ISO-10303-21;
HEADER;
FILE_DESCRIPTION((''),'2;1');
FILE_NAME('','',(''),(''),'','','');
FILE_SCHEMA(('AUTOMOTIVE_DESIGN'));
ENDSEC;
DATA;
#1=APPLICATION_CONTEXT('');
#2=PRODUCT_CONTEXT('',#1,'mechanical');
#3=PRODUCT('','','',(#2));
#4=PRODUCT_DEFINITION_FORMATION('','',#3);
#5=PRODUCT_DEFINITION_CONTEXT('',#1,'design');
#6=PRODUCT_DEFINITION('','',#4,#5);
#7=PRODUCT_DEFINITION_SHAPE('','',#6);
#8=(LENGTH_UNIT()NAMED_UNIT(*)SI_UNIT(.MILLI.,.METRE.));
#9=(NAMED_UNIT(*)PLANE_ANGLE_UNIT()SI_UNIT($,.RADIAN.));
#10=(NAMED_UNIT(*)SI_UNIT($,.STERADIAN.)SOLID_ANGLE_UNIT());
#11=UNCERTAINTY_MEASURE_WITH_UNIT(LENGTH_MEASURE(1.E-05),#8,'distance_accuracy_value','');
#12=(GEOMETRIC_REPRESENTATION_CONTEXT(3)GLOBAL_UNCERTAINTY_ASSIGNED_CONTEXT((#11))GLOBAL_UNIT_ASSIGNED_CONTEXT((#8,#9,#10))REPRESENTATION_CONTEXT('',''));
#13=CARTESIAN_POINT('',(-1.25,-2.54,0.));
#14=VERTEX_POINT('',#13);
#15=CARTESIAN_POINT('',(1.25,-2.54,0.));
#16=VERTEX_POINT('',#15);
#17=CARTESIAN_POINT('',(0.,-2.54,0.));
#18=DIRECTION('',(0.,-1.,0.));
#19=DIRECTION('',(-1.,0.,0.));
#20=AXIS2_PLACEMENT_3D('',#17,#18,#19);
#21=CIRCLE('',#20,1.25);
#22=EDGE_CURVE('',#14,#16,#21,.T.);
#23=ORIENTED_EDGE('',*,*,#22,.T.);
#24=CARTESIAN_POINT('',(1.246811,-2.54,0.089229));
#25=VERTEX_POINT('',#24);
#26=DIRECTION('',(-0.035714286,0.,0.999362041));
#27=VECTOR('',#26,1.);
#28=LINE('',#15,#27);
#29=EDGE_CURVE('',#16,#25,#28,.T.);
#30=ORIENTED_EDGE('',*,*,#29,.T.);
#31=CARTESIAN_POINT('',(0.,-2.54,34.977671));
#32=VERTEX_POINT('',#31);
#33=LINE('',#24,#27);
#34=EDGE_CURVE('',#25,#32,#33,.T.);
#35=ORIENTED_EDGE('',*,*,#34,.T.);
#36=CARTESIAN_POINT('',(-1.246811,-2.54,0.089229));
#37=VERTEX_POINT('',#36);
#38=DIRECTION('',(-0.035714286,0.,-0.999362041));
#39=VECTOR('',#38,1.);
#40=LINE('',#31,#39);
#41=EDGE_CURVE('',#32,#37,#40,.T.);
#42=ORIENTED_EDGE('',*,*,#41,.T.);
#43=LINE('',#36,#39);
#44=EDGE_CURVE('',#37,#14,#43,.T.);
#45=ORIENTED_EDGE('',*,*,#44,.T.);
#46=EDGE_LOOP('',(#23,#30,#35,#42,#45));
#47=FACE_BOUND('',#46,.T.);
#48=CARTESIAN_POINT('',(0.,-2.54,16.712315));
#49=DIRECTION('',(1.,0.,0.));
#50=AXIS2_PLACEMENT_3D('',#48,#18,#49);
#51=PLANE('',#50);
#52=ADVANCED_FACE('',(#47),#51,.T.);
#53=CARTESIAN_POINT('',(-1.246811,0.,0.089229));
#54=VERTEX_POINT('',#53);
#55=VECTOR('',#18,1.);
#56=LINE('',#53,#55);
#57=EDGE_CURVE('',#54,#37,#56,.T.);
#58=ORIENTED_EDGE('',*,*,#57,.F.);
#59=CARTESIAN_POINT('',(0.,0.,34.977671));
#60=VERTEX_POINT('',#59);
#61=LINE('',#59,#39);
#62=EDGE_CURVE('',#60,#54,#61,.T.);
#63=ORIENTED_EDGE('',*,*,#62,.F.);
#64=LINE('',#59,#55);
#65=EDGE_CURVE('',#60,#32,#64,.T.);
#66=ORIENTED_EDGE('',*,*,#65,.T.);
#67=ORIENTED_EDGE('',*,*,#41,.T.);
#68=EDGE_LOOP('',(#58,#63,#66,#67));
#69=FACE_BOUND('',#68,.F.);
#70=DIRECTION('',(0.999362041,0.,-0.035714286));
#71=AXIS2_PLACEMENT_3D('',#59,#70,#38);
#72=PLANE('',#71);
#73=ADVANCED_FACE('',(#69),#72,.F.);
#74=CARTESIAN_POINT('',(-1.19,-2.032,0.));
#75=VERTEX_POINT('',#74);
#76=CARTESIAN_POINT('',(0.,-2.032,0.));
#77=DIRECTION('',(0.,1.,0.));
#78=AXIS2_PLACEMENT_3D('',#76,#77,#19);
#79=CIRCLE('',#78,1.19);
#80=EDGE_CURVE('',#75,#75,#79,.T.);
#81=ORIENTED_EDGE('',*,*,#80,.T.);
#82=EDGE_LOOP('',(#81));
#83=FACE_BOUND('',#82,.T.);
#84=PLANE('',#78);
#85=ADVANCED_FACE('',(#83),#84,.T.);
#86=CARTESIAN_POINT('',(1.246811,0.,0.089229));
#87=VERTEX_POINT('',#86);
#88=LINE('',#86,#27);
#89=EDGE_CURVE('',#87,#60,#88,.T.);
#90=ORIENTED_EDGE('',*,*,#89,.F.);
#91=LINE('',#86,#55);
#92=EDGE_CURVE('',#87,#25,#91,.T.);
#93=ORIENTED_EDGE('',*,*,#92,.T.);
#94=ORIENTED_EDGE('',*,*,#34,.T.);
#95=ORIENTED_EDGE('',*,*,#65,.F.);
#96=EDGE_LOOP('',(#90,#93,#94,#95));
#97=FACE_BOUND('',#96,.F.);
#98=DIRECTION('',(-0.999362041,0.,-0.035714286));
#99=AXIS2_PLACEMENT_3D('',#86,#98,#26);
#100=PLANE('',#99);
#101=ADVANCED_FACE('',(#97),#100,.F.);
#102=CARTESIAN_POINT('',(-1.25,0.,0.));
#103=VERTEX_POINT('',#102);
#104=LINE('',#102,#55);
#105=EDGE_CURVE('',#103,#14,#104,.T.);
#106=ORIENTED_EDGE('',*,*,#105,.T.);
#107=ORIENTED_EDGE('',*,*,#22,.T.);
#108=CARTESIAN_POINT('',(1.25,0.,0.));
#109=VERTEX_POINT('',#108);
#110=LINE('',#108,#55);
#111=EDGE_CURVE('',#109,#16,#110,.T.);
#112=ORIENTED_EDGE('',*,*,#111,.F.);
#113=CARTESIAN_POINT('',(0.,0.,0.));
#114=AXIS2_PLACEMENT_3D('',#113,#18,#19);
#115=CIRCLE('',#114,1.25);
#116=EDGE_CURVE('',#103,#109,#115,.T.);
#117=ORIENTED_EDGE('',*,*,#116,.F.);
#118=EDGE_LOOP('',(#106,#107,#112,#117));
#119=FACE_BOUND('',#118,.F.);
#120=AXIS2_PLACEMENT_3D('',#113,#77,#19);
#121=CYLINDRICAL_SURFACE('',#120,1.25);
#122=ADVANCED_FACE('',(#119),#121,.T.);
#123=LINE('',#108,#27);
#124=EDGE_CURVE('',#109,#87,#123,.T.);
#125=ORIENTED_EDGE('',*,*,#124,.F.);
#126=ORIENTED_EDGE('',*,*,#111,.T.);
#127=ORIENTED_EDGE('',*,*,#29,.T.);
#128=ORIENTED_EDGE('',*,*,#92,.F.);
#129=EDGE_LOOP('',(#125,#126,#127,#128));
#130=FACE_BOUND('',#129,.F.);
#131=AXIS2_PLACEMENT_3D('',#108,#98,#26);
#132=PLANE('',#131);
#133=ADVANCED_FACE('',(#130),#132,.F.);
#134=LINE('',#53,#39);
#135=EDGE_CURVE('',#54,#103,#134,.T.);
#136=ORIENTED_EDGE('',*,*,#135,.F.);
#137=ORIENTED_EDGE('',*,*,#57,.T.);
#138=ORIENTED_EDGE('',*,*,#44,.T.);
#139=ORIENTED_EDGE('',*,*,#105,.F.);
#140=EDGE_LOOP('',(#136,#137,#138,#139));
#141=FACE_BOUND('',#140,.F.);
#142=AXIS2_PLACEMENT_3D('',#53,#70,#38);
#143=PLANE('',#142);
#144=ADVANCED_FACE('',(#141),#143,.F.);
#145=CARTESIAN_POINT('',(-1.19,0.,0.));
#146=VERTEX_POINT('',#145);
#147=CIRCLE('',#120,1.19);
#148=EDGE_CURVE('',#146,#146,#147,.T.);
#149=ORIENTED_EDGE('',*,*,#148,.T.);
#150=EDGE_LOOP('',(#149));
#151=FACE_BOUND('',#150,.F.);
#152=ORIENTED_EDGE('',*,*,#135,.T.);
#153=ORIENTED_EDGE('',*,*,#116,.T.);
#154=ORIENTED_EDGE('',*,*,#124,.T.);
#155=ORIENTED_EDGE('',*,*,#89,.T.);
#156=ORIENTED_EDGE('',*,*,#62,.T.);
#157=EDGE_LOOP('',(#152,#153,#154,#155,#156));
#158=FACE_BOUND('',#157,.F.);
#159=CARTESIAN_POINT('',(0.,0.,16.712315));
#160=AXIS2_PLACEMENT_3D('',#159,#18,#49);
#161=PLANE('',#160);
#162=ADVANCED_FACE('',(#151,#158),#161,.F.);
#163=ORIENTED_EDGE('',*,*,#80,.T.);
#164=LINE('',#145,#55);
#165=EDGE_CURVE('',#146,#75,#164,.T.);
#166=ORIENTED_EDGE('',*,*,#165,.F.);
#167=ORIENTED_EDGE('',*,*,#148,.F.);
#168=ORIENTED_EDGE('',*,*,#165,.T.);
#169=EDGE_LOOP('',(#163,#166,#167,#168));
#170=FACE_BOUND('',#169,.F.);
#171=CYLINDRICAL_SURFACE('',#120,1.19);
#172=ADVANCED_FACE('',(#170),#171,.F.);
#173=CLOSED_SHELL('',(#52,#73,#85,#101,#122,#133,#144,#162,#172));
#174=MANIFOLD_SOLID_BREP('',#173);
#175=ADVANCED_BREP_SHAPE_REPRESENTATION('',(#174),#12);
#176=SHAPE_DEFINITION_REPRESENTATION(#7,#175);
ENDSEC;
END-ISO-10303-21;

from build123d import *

# Parameters (mm, degrees)
F1_DEPTH = 2.54
F2_R     = 1.19
F3_DEPTH = 2.032


with BuildPart() as f1:
    # F0 (on Front) → F1 (new body)
    with BuildSketch(Plane.XZ):
        with BuildLine():
            Line((0, 34.9776714491), (-1.2468112245, 0.0892287537))
            ThreePointArc((-1.2468112245, 0.0892287537), (0, 1.25), (1.2468112245, 0.0892287537))
            Line((1.2468112245, 0.0892287537), (0, 34.9776714491))
        make_face()
        with BuildLine():
            Line((-1.2468112245, 0.0892287537), (-1.25, 0))
            ThreePointArc((-1.25, 0), (0, -1.25), (1.25, 0))
            Line((1.25, 0), (1.2468112245, 0.0892287537))
            ThreePointArc((1.2468112245, 0.0892287537), (0, 1.25), (-1.2468112245, 0.0892287537))
        make_face()
    extrude(amount=F1_DEPTH)

    # F2 (on face) → F3 (cut)
    with BuildSketch(Plane(origin=(0, 0, 0), x_dir=(-1, 0, 0), z_dir=(0, 1, 0))):
        Circle(F2_R)
    extrude(amount=-F3_DEPTH, mode=Mode.SUBTRACT)


solid = f1.part
